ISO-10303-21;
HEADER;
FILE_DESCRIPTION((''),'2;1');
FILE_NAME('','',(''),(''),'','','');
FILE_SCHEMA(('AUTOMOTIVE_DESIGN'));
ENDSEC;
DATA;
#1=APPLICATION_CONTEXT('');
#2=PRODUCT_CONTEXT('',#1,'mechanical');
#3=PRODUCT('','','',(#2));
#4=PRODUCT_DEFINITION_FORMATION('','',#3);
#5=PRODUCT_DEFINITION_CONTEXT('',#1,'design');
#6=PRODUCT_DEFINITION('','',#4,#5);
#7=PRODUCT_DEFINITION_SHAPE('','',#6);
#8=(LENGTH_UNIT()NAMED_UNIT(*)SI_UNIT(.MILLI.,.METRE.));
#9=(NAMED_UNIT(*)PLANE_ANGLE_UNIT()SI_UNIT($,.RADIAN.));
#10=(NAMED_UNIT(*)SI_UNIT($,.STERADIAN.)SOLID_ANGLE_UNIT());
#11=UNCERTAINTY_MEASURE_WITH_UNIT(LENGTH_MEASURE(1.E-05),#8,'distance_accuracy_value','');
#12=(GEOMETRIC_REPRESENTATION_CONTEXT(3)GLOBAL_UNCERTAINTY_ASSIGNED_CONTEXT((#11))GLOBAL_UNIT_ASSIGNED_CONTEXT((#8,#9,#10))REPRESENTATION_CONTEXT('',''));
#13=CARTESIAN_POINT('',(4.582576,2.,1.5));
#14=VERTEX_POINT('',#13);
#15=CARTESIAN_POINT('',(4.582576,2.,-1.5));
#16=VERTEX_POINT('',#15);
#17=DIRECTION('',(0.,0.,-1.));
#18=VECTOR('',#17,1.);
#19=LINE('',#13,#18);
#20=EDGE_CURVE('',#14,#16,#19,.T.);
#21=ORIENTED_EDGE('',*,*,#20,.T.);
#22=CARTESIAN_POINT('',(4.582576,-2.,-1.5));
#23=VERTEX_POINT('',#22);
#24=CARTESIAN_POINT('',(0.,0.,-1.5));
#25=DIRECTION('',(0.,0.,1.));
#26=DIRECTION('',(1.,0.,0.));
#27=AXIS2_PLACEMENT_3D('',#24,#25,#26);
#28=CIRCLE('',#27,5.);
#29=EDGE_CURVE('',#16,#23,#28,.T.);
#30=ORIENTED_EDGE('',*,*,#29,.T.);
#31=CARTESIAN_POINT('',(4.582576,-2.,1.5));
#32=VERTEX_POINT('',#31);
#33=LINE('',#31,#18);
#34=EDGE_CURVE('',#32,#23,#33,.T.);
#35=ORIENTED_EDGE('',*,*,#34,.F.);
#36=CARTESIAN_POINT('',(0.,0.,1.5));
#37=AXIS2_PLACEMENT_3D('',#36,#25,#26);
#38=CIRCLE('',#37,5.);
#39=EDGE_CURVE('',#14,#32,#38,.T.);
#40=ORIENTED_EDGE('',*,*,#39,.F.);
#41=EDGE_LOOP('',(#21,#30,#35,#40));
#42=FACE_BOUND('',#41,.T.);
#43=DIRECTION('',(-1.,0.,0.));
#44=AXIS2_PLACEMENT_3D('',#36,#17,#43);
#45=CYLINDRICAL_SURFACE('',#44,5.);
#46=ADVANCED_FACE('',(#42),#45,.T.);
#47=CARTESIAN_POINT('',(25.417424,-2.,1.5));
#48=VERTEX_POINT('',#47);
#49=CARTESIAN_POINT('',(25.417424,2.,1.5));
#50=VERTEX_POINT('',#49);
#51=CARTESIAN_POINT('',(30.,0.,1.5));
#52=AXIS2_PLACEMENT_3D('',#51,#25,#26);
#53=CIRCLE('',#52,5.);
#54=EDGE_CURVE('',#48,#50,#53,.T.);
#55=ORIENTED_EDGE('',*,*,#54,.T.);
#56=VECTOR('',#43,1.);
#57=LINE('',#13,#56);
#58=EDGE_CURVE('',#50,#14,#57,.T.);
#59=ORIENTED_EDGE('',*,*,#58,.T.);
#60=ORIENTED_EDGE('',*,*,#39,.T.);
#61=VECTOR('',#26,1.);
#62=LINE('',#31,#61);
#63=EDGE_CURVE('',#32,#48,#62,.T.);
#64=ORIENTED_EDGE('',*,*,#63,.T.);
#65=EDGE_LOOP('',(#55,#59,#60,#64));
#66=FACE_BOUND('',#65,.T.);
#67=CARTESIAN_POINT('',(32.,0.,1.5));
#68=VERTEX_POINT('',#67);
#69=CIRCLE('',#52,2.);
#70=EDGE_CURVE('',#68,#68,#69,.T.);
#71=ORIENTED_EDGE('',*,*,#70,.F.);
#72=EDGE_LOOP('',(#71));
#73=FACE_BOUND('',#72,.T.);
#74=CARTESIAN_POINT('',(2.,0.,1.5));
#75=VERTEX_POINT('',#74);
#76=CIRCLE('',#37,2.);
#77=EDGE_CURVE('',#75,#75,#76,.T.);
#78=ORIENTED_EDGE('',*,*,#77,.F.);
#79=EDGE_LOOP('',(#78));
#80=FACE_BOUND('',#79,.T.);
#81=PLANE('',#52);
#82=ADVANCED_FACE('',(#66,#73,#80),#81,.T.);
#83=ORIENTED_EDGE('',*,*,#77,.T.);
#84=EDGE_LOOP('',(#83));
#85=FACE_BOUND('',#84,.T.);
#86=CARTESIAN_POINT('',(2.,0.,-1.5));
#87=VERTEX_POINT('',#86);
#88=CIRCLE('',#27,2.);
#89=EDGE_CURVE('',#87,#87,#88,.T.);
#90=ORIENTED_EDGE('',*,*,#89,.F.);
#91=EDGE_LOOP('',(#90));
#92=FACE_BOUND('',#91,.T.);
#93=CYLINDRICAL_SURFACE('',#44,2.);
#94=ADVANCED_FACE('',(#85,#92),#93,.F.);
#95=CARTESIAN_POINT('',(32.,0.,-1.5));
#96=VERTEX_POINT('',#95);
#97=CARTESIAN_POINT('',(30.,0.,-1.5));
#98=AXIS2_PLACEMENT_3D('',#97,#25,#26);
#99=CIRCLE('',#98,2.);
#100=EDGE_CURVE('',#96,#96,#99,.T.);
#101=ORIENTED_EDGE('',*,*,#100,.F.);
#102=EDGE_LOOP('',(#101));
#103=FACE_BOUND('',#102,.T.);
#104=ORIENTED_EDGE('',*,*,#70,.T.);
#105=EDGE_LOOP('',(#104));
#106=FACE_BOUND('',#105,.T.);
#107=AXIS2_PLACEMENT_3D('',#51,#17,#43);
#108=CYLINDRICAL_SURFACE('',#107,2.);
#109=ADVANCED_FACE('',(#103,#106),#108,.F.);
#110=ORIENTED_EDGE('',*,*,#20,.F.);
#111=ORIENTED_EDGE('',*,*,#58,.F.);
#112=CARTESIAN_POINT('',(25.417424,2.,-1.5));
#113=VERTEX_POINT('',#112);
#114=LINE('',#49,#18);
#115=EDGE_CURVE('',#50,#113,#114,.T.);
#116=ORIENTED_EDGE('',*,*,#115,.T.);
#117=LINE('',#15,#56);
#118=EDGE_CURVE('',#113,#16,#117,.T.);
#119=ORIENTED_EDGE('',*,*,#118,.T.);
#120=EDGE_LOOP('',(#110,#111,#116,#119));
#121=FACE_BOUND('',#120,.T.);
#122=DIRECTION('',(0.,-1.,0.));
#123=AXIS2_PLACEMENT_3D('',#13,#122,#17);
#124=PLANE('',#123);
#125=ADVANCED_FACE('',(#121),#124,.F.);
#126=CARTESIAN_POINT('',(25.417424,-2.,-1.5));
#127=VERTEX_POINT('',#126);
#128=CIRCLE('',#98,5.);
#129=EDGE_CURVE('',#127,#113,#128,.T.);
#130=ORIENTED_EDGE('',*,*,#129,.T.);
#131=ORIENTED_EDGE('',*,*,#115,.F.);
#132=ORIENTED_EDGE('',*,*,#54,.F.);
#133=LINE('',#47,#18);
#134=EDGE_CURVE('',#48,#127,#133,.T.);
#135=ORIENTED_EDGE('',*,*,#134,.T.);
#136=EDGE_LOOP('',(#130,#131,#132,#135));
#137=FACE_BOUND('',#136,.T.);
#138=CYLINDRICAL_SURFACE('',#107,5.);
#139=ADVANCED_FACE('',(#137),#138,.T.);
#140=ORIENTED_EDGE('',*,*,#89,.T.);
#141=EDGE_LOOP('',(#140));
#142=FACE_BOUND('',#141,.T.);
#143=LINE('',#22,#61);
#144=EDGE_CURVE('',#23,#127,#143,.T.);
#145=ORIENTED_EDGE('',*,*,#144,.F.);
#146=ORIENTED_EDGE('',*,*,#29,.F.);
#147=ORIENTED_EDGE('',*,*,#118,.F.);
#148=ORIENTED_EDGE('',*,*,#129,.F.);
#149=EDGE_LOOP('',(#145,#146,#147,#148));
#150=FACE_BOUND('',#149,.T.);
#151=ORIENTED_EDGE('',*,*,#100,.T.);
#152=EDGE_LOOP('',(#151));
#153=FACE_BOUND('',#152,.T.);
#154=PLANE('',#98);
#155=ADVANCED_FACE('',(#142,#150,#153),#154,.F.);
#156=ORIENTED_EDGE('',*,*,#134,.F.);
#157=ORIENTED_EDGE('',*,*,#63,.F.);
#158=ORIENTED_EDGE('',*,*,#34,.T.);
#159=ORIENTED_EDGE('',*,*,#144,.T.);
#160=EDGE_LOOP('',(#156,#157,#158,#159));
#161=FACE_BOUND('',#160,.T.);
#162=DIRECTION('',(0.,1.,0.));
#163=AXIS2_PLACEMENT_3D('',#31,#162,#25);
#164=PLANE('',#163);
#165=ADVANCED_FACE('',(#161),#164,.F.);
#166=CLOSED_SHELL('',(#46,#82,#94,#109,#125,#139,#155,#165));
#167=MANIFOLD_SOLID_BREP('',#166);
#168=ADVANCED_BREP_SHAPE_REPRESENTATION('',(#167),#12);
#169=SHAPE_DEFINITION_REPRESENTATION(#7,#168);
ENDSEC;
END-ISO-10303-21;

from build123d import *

# Parameters (mm, degrees)
SKETCH_2_R      = 2
EXTRUDE_1_DEPTH = 1.5


with BuildPart() as part:
    # 草图2 → 凸台-拉伸1 (new, symmetric)
    with BuildSketch(Plane.XY):
        with BuildLine():
            Line((4.582575695, 2), (25.417424305, 2))
            ThreePointArc((25.417424305, 2), (35, 0), (25.417424305, -2))
            Line((25.417424305, -2), (4.582575695, -2))
            ThreePointArc((4.582575695, -2), (-5, 0), (4.582575695, 2))
        make_face()
        Circle(SKETCH_2_R, mode=Mode.SUBTRACT)
        with Locations((30, 0)):
            Circle(SKETCH_2_R, mode=Mode.SUBTRACT)
    extrude(amount=EXTRUDE_1_DEPTH, both=True)


solid = part.part
